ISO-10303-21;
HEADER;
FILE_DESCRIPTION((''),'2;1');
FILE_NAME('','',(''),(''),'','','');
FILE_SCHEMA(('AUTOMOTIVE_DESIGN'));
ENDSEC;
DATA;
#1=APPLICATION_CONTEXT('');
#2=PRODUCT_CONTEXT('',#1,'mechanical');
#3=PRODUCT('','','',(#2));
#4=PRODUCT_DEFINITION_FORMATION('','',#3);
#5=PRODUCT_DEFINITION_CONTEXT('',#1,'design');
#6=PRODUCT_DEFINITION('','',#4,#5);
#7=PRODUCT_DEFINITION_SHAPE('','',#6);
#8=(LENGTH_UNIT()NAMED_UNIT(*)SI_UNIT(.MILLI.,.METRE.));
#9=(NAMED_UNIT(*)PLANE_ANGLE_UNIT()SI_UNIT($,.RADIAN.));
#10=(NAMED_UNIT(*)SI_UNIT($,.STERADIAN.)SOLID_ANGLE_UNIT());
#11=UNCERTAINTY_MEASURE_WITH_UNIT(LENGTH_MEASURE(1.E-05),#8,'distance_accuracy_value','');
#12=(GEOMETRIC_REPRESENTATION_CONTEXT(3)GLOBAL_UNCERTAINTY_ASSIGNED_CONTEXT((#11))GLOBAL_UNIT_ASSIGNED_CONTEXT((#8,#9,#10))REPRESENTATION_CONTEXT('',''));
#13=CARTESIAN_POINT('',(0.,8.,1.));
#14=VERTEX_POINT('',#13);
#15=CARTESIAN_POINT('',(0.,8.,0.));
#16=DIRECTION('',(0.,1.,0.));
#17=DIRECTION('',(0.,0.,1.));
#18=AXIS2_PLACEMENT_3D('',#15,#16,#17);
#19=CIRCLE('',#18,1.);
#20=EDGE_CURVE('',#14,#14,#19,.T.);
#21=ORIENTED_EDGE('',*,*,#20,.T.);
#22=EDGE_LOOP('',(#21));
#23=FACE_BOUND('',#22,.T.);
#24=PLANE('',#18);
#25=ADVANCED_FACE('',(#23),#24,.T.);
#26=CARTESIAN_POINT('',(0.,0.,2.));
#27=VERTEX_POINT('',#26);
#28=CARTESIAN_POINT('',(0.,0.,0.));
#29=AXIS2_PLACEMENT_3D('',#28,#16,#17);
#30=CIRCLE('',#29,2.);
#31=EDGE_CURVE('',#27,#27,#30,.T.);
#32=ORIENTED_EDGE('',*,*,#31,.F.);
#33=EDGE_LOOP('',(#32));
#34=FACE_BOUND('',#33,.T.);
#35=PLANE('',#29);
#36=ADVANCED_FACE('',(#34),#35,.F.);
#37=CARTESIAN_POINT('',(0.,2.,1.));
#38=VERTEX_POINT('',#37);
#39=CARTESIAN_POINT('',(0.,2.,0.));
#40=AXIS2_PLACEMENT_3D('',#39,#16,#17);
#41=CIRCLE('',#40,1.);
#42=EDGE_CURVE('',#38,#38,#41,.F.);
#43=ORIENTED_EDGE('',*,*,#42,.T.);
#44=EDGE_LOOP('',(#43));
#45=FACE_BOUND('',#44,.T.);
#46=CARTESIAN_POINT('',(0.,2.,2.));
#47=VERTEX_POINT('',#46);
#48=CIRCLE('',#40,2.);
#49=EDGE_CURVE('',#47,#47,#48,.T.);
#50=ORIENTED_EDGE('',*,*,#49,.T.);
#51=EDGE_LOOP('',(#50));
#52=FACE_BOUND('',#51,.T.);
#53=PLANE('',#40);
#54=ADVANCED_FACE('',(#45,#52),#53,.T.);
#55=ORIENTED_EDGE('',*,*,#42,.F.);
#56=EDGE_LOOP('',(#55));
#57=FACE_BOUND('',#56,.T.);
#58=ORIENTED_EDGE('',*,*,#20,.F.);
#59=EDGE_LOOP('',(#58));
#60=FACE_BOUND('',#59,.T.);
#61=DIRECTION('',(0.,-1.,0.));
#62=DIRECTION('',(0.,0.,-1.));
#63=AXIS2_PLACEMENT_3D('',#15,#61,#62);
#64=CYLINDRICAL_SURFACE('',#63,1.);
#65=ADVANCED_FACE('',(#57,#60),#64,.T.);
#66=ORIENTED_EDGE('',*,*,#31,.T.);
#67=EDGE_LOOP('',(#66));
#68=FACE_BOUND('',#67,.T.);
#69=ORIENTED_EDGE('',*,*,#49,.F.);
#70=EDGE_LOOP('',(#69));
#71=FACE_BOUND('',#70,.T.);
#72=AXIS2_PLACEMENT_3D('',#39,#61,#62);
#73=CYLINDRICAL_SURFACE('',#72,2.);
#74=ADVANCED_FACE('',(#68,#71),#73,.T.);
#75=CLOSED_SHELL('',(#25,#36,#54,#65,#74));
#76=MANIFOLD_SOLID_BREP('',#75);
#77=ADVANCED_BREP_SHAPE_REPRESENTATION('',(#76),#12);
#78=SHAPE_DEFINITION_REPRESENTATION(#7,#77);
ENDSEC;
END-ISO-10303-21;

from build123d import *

# Parameters (mm, degrees)
SKETCH1_R           = 2
BOSS_EXTRUDE1_DEPTH = 2
SKETCH1_3_R         = 1
BOSS_EXTRUDE2_DEPTH = 8


with BuildPart() as part:
    # Sketch1 → Boss-Extrude1 (new body)
    with BuildSketch(Plane(origin=(0, 0, 0), x_dir=(1, 0, 0), z_dir=(0, 1, 0))):
        Circle(SKETCH1_R)
    extrude(amount=BOSS_EXTRUDE1_DEPTH)

    # Sketch1<3> → Boss-Extrude2 (add)
    with BuildSketch(Plane(origin=(0, 0, 0), x_dir=(1, 0, 0), z_dir=(0, 1, 0))):
        Circle(SKETCH1_3_R)
    extrude(amount=BOSS_EXTRUDE2_DEPTH)


solid = part.part
